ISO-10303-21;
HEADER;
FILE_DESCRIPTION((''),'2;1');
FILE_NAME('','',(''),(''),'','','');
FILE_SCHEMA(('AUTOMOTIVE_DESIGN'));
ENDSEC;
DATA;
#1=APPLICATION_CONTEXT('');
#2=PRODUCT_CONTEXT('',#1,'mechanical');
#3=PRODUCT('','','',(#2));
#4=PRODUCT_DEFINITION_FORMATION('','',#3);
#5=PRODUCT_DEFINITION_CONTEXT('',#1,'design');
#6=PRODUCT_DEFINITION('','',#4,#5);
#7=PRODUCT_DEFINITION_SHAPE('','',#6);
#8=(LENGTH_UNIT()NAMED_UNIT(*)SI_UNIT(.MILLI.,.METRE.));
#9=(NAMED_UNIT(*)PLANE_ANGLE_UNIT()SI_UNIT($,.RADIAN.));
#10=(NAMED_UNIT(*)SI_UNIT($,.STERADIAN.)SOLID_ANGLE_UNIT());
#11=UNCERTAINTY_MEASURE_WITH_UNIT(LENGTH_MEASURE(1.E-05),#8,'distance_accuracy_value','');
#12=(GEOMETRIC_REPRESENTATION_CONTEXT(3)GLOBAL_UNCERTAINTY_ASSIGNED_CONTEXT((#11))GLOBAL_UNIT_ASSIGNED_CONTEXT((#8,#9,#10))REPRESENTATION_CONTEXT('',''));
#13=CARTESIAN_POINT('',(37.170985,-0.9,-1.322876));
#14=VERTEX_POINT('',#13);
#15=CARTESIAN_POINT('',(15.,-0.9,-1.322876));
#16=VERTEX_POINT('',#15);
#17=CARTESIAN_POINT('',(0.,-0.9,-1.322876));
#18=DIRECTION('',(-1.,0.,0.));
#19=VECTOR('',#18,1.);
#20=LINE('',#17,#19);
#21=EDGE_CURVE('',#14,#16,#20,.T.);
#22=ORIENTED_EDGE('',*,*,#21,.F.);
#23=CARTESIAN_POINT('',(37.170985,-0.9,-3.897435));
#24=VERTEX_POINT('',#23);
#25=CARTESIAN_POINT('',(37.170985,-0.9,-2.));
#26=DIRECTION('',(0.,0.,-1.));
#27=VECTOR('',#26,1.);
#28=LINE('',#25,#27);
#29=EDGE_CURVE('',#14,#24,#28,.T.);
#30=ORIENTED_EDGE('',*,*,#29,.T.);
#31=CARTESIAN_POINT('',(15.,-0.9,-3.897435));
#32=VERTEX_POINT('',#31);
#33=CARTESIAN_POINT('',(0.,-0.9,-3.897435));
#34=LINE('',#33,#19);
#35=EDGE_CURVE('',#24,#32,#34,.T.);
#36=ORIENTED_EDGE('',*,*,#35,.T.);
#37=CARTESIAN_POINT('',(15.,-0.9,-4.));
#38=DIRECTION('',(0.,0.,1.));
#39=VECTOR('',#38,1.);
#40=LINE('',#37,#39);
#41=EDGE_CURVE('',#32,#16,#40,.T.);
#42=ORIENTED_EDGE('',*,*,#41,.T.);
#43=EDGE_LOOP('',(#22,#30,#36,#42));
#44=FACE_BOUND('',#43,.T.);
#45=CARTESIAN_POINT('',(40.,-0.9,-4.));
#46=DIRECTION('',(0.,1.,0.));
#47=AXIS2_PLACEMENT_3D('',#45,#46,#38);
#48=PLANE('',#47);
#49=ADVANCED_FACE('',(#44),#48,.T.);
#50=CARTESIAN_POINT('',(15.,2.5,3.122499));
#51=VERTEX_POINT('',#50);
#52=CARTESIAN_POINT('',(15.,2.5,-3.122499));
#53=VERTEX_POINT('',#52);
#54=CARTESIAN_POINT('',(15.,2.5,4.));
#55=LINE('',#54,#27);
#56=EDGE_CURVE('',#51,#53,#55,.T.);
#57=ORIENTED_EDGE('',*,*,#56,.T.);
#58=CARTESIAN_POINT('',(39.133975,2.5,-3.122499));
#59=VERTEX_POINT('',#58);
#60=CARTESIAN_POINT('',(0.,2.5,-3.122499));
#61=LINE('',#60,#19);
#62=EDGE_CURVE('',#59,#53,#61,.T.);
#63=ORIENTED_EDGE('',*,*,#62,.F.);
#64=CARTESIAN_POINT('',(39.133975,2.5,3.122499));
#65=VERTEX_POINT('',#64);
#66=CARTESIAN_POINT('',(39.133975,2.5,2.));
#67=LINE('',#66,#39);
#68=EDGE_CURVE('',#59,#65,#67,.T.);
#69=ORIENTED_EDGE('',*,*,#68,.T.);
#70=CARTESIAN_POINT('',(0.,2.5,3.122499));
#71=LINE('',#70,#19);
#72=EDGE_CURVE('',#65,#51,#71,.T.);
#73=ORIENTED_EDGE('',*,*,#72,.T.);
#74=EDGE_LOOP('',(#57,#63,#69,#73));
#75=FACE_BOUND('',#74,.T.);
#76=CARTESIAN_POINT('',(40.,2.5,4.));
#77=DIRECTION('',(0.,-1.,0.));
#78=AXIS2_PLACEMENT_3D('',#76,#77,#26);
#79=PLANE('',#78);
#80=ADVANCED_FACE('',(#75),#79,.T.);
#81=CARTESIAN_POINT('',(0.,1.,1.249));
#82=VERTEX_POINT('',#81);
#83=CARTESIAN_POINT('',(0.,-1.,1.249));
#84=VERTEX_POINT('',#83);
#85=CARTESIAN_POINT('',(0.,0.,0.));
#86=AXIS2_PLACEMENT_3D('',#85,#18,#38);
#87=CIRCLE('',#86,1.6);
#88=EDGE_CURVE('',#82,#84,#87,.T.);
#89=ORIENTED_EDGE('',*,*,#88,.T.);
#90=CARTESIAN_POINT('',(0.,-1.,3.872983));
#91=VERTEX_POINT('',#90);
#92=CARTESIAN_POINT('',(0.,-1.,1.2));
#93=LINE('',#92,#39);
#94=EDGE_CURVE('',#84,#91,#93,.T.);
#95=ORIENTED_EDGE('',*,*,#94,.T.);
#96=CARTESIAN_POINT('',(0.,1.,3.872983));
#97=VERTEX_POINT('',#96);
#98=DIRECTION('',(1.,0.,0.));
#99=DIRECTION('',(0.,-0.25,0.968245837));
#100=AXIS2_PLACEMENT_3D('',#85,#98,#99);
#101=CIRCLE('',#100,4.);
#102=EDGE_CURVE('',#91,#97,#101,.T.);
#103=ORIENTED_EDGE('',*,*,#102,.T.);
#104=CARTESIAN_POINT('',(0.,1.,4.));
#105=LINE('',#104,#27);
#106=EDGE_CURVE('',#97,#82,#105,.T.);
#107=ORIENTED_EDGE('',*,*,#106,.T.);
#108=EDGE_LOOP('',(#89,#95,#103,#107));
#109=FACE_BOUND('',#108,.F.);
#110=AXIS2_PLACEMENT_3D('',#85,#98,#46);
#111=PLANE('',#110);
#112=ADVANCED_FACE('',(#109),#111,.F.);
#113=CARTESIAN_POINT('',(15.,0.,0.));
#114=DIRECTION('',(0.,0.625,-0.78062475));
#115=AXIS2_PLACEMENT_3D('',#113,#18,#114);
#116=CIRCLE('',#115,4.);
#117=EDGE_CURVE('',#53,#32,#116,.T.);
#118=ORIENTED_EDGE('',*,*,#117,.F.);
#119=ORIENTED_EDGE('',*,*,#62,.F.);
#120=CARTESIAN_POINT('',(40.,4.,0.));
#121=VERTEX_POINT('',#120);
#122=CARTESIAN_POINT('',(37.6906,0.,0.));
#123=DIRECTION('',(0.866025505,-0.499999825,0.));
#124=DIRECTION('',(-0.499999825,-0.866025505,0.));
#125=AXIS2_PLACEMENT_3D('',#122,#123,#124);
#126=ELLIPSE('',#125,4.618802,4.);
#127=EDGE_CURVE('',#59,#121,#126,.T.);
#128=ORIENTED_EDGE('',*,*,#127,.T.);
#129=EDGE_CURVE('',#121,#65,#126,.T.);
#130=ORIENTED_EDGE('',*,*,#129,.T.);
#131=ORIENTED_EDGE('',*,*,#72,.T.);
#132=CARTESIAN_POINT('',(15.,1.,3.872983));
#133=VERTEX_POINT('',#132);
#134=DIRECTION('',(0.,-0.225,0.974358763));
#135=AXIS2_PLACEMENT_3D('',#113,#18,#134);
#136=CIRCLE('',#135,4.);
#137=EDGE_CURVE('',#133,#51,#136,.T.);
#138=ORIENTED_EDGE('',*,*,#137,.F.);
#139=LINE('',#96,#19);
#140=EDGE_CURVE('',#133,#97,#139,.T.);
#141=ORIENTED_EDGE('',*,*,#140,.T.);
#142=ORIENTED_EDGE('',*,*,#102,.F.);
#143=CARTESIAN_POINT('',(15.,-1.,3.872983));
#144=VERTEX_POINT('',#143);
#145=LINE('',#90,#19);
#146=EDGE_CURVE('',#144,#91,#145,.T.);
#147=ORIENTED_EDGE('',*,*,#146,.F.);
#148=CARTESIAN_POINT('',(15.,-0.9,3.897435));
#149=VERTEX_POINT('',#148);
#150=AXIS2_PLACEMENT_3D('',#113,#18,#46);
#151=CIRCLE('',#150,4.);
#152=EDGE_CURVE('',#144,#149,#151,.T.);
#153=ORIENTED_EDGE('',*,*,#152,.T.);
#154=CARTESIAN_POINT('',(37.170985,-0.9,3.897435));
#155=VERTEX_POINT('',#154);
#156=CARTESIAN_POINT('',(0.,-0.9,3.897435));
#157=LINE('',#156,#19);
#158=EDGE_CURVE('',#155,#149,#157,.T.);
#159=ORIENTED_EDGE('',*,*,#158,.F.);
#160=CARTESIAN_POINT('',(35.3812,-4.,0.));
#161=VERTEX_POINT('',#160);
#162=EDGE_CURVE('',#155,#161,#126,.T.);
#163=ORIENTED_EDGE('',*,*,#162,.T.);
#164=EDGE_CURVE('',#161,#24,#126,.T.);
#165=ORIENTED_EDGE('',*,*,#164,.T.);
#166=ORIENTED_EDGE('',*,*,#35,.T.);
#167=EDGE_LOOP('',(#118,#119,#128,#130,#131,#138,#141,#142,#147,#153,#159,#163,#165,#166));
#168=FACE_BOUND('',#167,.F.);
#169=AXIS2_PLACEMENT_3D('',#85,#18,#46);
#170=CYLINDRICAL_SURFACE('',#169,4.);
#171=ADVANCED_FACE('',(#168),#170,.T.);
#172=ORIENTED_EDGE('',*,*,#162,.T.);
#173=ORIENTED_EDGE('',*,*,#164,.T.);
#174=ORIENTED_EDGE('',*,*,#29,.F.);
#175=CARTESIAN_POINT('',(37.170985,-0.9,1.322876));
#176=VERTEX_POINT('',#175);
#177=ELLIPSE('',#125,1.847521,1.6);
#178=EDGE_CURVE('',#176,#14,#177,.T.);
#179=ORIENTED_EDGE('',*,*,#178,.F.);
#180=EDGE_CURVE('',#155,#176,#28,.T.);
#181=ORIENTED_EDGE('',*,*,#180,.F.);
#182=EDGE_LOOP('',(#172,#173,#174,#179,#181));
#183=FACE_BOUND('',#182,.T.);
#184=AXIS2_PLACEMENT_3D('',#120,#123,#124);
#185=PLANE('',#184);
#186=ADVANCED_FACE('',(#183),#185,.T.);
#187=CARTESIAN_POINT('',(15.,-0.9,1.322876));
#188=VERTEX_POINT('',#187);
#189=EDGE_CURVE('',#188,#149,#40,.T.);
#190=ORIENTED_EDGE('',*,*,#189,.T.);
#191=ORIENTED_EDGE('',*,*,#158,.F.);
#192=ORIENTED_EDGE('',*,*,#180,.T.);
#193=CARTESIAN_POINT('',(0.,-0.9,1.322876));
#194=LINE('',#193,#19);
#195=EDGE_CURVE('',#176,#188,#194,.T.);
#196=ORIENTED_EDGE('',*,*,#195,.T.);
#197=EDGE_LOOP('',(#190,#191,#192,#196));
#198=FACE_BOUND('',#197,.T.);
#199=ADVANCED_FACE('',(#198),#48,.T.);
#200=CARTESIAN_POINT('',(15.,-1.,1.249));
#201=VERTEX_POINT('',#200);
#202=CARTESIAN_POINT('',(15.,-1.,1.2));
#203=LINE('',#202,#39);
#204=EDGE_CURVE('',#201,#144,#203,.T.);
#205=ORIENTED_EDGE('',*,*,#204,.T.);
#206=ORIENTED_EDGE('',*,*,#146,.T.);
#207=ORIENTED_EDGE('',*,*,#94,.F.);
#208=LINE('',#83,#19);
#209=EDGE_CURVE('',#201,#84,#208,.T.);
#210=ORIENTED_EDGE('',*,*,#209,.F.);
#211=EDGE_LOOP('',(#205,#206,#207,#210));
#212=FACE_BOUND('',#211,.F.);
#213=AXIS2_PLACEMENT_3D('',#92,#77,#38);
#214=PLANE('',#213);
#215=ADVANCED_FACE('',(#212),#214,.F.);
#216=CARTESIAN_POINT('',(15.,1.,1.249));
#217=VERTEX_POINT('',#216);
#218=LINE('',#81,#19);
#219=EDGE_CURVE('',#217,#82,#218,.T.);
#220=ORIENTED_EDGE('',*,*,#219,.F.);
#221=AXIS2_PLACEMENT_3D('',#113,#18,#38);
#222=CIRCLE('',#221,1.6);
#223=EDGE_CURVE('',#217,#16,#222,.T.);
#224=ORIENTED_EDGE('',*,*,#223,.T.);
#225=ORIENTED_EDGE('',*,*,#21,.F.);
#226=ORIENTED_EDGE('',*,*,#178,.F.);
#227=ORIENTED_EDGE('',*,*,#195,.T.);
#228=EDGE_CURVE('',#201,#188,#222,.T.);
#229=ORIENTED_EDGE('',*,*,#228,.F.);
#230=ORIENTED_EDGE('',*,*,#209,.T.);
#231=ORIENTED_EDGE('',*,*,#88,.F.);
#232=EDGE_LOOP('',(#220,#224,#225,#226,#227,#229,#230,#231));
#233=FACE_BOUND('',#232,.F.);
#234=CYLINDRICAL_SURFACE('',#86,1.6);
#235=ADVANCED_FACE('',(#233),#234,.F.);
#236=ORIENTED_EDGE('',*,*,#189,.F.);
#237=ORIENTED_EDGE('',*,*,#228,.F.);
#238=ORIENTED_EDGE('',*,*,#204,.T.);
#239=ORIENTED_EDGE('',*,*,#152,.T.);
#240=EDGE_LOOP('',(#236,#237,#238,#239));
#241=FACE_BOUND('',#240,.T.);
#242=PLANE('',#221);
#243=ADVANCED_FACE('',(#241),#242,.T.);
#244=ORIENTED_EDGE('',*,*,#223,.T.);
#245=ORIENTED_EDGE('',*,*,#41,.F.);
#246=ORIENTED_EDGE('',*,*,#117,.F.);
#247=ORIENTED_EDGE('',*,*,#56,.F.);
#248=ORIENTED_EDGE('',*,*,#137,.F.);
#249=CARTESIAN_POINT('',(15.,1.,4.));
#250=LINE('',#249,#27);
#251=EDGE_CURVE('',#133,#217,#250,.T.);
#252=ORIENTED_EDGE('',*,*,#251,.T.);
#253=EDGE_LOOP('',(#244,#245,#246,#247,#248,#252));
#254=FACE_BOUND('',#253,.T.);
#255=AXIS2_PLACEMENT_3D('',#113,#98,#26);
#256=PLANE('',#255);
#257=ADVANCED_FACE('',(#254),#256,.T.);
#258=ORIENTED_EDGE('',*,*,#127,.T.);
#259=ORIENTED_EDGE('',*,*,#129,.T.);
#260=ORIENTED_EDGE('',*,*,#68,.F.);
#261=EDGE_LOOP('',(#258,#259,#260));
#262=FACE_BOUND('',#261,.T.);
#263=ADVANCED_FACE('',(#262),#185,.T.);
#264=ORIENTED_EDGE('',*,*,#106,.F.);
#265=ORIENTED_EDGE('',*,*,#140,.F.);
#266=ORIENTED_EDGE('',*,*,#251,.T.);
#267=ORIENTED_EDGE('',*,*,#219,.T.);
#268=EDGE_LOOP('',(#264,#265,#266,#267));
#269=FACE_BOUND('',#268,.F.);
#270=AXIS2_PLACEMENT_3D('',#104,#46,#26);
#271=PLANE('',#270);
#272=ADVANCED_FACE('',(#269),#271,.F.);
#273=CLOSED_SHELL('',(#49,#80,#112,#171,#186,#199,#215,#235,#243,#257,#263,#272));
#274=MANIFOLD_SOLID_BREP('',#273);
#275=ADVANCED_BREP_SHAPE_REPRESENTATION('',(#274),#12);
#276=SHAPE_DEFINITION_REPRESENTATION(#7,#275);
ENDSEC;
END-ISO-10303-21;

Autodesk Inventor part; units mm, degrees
ref_plane "YZ Plane" through (0, 0, 0) normal (1, 0, 0) x (0, 1, 0)
ref_plane "XZ Plane" through (0, 0, 0) normal (0, 1, 0) x (-1, 0, 0)
ref_plane "XY Plane" through (0, 0, 0) normal (0, 0, 1) x (1, 0, 0)
sketch "Sketch1" plane through (0, 0, 0) normal (1, 0, 0) x (0, 1, 0)
  circle A0 centre (0, 0) radius 4
  dimension "d0" = 8
extrude "Extrusion1" add sketch "Sketch1" along normal blind 40
sketch "Sketch2" plane through (40, 0, 0) normal (1, 0, 0) x (0, 0, -1)
  line L0 (-4, 2.5) -> (4, 2.5)
  line L1 (4, 2.5) -> (4, -0.9)
  line L2 (4, -0.9) -> (-4, -0.9)
  line L3 (-4, -0.9) -> (-4, 2.5)
  point P0 (0, 0)
  dimension "d3" = 8
  dimension "d4" = 3.4
  dimension "d5" = 2.5
  dimension "d6" = 4
extrude "Extrusion2" cut sketch "Sketch2" against normal blind 25
sketch "Sketch3" plane through (0, 0, 0) normal (-1, 0, 0) x (0, 0, 1)
  circle A0 centre (0, 0) radius 1.6
  dimension "d9" = 3.2
extrude "Extrusion3" cut sketch "Sketch3" against normal through all
sketch "Sketch4" plane through (0, 0, 0) normal (0, 0, 1) x (1, 0, 0)
  line L0 (40, 2.5) -> (40, 4) projected
  line L1 (40, 4) -> (35.3812, -4)
  line L2 (0, -4) -> (40, -4) projected
  line L3 (40, 4) -> (49.2376, 4) construction
  line L4 (35.3812, -4) -> (40, -4)
  line L5 (40, 4) -> (40, -4)
  point P0 (0, 0)
  dimension "d12" = 120
extrude "Extrusion4" cut sketch "Sketch4" along normal through all both and the other way through all
sketch "Sketch6" plane through (0, 0, 0) normal (-1, 0, 0) x (0, 0, 1)
  line L0 (4, 1) -> (1.2, 1)
  line L1 (1.2, 1) -> (1.2, -1)
  line L2 (1.2, -1) -> (4, -1)
  line L3 (4, -1) -> (4, 1)
  point P0 (0, 0)
  dimension "d23" = 2
  dimension "d24" = 4
  dimension "d25" = 1
  dimension "d27" = 1.2
extrude "Extrusion6" cut sketch "Sketch6" against normal up to surface (15 mm away)
equation "\"d6\" = 0.5 * d3"
equation "\"d25\" = 0.5 * d23"
properties part number "Main_tip_coupler"
